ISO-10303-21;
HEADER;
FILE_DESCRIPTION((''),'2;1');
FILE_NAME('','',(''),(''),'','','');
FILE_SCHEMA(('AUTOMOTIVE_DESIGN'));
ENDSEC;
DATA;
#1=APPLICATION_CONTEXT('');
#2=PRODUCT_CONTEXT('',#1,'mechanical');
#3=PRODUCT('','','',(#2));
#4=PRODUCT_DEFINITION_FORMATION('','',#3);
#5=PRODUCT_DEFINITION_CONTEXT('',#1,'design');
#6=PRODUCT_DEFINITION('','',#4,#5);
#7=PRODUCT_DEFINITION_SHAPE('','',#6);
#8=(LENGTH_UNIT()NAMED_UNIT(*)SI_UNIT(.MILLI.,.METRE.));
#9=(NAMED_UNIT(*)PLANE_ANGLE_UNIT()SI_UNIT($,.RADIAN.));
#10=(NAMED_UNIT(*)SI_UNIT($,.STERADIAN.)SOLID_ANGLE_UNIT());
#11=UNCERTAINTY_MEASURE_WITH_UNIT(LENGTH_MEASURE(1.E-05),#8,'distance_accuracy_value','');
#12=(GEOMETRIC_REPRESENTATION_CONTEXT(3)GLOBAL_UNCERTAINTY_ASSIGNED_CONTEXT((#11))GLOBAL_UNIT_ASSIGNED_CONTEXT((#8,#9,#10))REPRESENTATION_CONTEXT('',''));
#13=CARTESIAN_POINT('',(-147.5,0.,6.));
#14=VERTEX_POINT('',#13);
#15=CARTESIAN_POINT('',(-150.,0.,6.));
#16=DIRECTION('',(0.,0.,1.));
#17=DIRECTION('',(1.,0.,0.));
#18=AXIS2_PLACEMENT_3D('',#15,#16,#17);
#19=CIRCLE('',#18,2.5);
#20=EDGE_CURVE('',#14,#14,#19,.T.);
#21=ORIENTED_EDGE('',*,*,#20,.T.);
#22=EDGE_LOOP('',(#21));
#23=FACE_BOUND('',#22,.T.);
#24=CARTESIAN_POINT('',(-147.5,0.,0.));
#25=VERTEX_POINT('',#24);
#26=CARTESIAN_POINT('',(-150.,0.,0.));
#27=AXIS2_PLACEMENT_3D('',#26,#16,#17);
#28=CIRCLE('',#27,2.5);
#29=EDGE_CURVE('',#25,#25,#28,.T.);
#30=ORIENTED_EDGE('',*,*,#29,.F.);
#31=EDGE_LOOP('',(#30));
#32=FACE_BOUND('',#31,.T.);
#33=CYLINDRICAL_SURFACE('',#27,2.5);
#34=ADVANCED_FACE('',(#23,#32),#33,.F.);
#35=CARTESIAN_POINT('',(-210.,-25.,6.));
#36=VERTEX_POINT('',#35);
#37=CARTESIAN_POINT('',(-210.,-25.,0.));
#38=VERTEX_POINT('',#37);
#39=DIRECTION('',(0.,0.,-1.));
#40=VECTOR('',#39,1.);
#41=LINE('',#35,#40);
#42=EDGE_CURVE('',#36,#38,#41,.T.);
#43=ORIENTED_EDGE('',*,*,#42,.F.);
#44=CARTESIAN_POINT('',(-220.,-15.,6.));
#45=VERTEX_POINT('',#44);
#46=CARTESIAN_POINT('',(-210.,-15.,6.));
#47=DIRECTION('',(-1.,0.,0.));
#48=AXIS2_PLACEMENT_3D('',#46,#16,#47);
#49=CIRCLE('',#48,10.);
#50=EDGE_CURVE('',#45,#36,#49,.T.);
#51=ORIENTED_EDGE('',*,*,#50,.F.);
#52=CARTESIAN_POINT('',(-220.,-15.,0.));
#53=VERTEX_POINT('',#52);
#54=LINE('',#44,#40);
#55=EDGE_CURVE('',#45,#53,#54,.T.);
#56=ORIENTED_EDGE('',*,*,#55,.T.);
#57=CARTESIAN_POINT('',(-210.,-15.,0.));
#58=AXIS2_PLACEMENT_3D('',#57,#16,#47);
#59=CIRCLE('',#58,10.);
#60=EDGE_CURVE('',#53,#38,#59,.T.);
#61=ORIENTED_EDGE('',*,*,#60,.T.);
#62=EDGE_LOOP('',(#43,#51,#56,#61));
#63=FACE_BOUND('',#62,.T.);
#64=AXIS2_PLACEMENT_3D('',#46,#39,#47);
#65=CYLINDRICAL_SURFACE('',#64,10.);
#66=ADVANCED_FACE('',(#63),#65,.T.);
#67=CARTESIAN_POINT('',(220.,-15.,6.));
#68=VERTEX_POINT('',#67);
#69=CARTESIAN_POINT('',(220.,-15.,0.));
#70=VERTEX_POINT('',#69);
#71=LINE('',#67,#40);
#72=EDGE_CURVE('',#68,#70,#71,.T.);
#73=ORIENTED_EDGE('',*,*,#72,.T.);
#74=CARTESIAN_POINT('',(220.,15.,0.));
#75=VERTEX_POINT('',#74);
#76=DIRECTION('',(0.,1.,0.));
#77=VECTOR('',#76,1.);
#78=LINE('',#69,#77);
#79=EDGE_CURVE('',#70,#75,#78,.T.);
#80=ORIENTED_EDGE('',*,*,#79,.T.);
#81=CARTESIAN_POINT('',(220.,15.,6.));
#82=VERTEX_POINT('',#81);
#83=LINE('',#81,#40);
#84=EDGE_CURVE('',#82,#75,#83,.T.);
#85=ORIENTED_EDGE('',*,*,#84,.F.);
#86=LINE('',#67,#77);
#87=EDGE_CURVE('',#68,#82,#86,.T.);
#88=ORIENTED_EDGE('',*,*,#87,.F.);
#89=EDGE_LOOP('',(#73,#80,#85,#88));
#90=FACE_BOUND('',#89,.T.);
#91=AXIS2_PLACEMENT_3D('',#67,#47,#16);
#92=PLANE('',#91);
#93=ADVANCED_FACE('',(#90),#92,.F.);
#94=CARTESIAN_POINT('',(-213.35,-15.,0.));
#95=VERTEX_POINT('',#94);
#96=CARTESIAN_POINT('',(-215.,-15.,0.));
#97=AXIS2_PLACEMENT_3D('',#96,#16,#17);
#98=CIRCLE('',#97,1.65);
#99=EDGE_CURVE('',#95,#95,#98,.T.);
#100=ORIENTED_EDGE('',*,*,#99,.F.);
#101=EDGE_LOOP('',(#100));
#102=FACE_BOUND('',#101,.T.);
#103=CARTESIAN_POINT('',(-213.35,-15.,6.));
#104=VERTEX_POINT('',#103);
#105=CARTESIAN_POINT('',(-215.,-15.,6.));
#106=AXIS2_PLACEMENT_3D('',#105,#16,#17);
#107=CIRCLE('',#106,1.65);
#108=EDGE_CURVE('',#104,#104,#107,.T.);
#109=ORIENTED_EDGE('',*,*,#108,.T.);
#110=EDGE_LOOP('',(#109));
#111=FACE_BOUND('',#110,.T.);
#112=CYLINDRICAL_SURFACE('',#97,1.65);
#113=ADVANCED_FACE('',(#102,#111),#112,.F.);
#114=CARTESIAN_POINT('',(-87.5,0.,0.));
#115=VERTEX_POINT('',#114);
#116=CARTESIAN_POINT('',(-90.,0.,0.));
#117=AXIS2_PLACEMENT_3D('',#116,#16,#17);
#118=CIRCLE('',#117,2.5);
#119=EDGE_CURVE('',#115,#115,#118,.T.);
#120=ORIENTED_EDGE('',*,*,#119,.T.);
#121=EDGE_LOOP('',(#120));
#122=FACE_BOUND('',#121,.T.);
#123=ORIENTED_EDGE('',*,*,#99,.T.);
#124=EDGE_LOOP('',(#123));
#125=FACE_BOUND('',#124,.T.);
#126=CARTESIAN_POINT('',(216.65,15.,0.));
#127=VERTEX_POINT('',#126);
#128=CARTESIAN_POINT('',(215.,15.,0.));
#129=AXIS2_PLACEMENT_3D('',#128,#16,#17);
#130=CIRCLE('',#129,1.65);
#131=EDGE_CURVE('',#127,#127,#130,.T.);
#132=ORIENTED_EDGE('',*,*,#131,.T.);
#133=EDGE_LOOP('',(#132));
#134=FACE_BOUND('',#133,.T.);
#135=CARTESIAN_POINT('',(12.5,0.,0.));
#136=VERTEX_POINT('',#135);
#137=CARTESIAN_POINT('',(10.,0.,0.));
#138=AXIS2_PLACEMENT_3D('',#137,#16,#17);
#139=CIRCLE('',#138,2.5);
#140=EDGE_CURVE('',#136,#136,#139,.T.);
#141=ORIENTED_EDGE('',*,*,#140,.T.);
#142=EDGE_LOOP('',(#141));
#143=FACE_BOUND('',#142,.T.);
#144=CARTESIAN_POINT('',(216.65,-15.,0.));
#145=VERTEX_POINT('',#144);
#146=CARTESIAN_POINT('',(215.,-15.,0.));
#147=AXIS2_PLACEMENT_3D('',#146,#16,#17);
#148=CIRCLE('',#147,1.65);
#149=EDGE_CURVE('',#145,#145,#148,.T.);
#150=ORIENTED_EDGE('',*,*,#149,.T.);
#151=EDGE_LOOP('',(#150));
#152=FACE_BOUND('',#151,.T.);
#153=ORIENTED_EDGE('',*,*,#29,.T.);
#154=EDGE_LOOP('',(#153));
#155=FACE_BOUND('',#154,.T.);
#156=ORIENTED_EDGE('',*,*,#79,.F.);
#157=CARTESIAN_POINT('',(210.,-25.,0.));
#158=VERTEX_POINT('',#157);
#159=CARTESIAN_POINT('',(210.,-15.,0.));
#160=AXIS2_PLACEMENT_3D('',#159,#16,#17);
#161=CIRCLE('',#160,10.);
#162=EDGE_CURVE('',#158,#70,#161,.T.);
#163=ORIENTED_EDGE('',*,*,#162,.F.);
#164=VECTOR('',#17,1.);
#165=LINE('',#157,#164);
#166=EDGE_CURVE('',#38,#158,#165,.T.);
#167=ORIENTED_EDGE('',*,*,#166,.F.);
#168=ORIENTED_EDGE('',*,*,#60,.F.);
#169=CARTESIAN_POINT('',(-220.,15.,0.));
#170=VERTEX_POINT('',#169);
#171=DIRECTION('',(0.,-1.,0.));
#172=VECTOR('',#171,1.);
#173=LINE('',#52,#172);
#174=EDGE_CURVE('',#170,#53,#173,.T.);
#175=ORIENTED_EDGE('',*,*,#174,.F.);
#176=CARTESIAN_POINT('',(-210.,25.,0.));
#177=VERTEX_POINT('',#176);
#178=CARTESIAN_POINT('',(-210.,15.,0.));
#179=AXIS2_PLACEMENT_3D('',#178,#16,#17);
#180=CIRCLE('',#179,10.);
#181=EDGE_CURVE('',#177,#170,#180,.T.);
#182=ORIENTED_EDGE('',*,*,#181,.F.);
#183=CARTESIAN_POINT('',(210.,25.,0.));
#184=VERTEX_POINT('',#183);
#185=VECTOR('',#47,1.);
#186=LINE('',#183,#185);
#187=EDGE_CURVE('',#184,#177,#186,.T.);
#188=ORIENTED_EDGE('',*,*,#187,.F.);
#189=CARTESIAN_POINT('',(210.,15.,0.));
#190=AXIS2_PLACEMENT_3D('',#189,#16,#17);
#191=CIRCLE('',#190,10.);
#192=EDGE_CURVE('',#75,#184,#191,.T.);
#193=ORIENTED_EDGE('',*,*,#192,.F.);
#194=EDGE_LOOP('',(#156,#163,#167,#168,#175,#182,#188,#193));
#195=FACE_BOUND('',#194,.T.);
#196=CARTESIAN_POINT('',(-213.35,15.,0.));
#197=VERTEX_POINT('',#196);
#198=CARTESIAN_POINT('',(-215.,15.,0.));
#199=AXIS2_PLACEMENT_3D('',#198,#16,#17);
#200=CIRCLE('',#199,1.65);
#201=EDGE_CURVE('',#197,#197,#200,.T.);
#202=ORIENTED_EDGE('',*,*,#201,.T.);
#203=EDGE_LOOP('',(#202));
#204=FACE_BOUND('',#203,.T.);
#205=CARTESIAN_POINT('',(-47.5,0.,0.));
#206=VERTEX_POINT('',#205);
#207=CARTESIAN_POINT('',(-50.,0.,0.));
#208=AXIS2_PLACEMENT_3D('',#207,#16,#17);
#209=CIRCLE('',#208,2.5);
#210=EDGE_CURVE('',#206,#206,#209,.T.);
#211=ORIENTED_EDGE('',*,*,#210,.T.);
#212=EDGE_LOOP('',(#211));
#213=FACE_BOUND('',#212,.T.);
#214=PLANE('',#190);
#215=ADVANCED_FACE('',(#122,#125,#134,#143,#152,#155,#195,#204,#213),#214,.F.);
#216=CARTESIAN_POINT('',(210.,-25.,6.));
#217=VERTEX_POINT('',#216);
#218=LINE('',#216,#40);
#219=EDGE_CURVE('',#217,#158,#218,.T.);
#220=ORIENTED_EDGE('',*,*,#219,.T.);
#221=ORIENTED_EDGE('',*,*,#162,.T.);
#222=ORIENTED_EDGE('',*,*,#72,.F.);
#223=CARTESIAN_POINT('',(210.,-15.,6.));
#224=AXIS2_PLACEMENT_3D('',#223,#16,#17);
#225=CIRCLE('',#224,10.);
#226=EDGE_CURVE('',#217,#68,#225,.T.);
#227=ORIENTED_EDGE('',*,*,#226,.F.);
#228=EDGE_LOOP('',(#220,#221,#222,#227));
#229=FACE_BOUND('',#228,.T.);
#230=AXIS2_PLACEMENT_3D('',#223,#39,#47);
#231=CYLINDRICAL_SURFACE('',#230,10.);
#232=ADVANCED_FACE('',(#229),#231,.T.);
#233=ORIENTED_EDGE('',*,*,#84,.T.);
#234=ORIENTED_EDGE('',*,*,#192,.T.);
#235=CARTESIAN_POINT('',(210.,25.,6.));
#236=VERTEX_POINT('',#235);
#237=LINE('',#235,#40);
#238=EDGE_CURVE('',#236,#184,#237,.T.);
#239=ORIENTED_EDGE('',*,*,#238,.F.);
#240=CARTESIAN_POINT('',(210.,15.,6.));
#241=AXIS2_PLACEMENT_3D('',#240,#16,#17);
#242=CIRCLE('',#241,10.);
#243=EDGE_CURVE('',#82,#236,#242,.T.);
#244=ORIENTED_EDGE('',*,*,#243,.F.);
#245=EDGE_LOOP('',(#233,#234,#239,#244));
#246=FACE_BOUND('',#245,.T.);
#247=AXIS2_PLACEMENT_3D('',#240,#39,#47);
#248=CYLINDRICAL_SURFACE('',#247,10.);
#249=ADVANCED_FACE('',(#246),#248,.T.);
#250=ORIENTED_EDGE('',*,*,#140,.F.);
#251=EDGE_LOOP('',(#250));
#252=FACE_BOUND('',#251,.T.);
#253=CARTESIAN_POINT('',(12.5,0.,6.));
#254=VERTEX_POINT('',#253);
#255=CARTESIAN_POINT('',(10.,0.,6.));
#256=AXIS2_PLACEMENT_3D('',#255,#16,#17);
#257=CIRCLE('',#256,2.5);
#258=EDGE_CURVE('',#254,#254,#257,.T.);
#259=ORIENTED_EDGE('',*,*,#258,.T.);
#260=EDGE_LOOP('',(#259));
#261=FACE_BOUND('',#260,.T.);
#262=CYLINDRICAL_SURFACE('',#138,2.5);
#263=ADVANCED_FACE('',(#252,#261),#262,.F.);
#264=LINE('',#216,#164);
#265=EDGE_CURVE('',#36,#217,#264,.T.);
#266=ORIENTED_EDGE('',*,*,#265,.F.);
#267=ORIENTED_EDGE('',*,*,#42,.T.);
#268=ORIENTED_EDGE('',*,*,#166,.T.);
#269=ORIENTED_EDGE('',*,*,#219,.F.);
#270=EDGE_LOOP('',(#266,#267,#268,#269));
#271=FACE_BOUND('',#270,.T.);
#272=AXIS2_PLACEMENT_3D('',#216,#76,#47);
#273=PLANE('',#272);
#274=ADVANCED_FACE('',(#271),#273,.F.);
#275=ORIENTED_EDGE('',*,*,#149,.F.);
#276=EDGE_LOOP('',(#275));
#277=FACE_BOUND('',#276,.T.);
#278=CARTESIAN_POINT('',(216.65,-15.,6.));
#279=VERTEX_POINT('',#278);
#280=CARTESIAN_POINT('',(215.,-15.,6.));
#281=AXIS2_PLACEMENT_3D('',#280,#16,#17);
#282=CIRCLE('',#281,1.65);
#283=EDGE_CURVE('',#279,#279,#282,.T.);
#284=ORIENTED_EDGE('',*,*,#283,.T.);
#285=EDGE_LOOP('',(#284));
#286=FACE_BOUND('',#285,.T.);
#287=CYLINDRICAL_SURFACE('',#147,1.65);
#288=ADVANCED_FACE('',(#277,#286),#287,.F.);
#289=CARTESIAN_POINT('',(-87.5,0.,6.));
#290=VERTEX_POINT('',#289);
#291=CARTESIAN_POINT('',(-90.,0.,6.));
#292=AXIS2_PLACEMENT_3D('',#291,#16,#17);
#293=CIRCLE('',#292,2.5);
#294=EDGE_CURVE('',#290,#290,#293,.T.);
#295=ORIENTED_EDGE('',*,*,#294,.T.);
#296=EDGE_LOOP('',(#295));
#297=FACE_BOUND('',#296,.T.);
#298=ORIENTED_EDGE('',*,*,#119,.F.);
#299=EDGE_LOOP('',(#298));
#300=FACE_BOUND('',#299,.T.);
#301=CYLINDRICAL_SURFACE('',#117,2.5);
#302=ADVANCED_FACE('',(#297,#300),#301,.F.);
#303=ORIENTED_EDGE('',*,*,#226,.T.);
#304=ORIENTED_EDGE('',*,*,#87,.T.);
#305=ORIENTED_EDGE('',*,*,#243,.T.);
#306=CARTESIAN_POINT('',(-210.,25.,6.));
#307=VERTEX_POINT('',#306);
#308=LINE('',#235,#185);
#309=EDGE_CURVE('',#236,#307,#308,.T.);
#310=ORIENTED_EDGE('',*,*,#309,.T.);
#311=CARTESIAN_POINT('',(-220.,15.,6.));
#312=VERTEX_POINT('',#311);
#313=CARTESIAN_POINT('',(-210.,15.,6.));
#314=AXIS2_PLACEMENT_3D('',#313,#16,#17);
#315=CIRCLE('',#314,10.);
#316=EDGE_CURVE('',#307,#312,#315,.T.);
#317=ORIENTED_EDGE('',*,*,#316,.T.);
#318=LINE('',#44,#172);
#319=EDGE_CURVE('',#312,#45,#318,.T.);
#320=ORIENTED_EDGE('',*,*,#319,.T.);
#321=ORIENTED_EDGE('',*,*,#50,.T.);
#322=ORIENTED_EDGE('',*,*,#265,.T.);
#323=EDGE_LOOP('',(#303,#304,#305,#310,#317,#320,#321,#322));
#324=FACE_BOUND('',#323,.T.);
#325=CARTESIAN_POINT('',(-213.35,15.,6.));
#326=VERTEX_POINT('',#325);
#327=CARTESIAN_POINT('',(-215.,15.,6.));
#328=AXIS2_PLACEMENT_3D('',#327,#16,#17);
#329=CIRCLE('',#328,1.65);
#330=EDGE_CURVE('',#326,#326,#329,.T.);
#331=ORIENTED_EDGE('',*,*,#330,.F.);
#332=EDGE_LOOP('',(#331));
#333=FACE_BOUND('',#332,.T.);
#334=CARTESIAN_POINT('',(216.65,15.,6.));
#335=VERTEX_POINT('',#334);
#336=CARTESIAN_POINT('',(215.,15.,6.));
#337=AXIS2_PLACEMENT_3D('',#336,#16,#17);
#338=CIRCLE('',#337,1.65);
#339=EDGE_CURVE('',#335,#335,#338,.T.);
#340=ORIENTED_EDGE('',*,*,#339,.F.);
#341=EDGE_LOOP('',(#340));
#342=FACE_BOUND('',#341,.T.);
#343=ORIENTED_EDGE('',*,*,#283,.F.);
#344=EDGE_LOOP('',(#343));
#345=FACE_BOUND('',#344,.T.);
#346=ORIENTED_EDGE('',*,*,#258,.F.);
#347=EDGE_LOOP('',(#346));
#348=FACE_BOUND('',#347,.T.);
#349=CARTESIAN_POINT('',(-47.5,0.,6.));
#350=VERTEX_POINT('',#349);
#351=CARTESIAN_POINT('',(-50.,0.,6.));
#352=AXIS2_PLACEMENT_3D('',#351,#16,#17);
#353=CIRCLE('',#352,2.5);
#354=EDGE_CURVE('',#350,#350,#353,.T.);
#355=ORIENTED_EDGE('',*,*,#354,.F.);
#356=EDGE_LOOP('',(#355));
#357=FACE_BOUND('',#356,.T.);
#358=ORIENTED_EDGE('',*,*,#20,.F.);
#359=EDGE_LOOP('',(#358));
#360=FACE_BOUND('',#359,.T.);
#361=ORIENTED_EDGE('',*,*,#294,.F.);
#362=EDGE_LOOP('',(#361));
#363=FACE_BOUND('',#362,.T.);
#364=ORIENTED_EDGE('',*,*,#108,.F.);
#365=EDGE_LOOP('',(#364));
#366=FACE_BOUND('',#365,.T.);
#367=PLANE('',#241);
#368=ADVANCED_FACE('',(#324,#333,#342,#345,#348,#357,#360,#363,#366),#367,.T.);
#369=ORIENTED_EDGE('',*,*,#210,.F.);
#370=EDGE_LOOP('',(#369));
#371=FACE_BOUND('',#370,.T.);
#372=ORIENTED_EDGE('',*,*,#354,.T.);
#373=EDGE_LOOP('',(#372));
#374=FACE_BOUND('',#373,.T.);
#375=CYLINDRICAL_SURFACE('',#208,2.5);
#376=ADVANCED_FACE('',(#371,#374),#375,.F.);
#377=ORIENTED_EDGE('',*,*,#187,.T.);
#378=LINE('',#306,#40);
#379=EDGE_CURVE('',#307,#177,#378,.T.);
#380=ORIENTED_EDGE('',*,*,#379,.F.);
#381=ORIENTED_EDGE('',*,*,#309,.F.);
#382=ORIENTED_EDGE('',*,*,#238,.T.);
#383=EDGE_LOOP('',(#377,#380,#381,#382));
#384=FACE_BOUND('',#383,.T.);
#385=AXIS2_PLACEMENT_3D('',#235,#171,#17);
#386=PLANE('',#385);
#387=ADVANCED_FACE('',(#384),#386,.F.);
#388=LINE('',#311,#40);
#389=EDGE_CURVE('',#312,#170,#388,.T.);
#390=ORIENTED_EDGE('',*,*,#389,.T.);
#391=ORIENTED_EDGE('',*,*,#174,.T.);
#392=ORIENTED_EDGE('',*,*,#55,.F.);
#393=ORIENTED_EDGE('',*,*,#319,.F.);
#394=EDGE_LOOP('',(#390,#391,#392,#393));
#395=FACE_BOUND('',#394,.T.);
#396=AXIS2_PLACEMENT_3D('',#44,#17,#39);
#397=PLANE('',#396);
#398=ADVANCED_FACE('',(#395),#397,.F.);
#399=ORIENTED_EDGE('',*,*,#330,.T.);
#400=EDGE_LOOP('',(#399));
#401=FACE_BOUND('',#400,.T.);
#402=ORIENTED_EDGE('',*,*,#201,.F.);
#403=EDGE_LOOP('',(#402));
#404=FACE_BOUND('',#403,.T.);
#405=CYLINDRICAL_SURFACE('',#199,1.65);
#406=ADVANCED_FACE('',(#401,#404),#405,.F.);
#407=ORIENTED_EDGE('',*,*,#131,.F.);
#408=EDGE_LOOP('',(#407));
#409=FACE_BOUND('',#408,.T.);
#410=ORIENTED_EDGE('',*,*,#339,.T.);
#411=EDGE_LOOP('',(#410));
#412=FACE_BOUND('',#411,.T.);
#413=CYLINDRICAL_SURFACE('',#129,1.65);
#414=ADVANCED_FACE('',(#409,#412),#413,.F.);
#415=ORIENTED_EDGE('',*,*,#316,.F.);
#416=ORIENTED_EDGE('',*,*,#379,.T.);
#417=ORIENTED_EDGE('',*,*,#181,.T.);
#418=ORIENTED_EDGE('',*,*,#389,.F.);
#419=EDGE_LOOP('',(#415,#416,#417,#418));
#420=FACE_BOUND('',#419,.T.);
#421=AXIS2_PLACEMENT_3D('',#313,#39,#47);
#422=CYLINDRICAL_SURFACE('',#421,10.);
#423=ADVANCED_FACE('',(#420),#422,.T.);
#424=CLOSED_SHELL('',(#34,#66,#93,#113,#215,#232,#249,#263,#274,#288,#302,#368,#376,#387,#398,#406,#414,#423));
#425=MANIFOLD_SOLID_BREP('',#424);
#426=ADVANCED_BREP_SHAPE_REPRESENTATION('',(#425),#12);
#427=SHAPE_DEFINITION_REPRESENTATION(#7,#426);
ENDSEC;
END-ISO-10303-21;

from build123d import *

# Parameters (mm, degrees)
BOSS_EXTRU_1_DEPTH                            = 6
ESQUISSE2_R                                   = 1.65
ESQUISSE2_R_2                                 = 2.5
ENL_V_MAT_EXTRU_1_DEPTH                       = 6
TROU_POUR_TARAUDAGE_POUR_TROU_TARAUD_M6_D     = 5
TROU_POUR_TARAUDAGE_POUR_TROU_TARAUD_M6_DEPTH = 15
TROU_POUR_TARAUDAGE_POUR_TROU_TARAUD_M6_TIP   = 1.502151548
TROU_POUR_TARAUDAGE_POUR_TROU_TARAUD_M4_D     = 3.3
TROU_POUR_TARAUDAGE_POUR_TROU_TARAUD_M4_DEPTH = 15
TROU_POUR_TARAUDAGE_POUR_TROU_TARAUD_M4_TIP   = 0.991420021


with BuildPart() as part:
    # Esquisse1 → Boss.-Extru.1 (new body)
    with BuildSketch(Plane.XY):
        with BuildLine():
            Line((210, -25), (-210, -25))
            ThreePointArc((-210, -25), (-217.071067812, -22.071067812), (-220, -15))
            Line((-220, -15), (-220, 15))
            ThreePointArc((-220, 15), (-217.071067812, 22.071067812), (-210, 25))
            Line((-210, 25), (210, 25))
            ThreePointArc((210, 25), (217.071067812, 22.071067812), (220, 15))
            Line((220, 15), (220, -15))
            ThreePointArc((220, -15), (217.071067812, -22.071067812), (210, -25))
        make_face()
    extrude(amount=BOSS_EXTRU_1_DEPTH)

    # Esquisse2 → Enlèv. mat.-Extru.1 (cut)
    with BuildSketch(Plane.XY.offset(6)):
        with Locations((215, 15)):
            Circle(ESQUISSE2_R)
        with Locations((215, -15)):
            Circle(ESQUISSE2_R)
        with Locations((-215, 15)):
            Circle(ESQUISSE2_R)
        with Locations((-215, -15)):
            Circle(ESQUISSE2_R)
        with Locations((-150, 0)):
            Circle(ESQUISSE2_R_2)
        with Locations((-90, 0)):
            Circle(ESQUISSE2_R_2)
        with Locations((-50, 0)):
            Circle(ESQUISSE2_R_2)
        with Locations((10, 0)):
            Circle(ESQUISSE2_R_2)
    extrude(amount=-ENL_V_MAT_EXTRU_1_DEPTH, mode=Mode.SUBTRACT)

    # Trou pour taraudage pour trou taraudé M6x1.01
    with Locations(Plane(origin=(-150, 0, 6), x_dir=(1, 0, 0), z_dir=(0, 0, 1))):
        with Locations((0, 0), (60, 0), (100, 0), (160, 0)):
            Hole(TROU_POUR_TARAUDAGE_POUR_TROU_TARAUD_M6_D / 2, depth=TROU_POUR_TARAUDAGE_POUR_TROU_TARAUD_M6_DEPTH)
            with Locations((0, 0, -(TROU_POUR_TARAUDAGE_POUR_TROU_TARAUD_M6_DEPTH + TROU_POUR_TARAUDAGE_POUR_TROU_TARAUD_M6_TIP / 2))):  # 118° drill point
                Cone(0, TROU_POUR_TARAUDAGE_POUR_TROU_TARAUD_M6_D / 2, TROU_POUR_TARAUDAGE_POUR_TROU_TARAUD_M6_TIP, mode=Mode.SUBTRACT)

    # Trou pour taraudage pour trou taraudé M4x0.71
    with Locations(Plane(origin=(-215, 15, 6), x_dir=(1, 0, 0), z_dir=(0, 0, 1))):
        with Locations((0, 0), (0, -30), (430, 0), (430, -30)):
            Hole(TROU_POUR_TARAUDAGE_POUR_TROU_TARAUD_M4_D / 2, depth=TROU_POUR_TARAUDAGE_POUR_TROU_TARAUD_M4_DEPTH)
            with Locations((0, 0, -(TROU_POUR_TARAUDAGE_POUR_TROU_TARAUD_M4_DEPTH + TROU_POUR_TARAUDAGE_POUR_TROU_TARAUD_M4_TIP / 2))):  # 118° drill point
                Cone(0, TROU_POUR_TARAUDAGE_POUR_TROU_TARAUD_M4_D / 2, TROU_POUR_TARAUDAGE_POUR_TROU_TARAUD_M4_TIP, mode=Mode.SUBTRACT)


solid = part.part
